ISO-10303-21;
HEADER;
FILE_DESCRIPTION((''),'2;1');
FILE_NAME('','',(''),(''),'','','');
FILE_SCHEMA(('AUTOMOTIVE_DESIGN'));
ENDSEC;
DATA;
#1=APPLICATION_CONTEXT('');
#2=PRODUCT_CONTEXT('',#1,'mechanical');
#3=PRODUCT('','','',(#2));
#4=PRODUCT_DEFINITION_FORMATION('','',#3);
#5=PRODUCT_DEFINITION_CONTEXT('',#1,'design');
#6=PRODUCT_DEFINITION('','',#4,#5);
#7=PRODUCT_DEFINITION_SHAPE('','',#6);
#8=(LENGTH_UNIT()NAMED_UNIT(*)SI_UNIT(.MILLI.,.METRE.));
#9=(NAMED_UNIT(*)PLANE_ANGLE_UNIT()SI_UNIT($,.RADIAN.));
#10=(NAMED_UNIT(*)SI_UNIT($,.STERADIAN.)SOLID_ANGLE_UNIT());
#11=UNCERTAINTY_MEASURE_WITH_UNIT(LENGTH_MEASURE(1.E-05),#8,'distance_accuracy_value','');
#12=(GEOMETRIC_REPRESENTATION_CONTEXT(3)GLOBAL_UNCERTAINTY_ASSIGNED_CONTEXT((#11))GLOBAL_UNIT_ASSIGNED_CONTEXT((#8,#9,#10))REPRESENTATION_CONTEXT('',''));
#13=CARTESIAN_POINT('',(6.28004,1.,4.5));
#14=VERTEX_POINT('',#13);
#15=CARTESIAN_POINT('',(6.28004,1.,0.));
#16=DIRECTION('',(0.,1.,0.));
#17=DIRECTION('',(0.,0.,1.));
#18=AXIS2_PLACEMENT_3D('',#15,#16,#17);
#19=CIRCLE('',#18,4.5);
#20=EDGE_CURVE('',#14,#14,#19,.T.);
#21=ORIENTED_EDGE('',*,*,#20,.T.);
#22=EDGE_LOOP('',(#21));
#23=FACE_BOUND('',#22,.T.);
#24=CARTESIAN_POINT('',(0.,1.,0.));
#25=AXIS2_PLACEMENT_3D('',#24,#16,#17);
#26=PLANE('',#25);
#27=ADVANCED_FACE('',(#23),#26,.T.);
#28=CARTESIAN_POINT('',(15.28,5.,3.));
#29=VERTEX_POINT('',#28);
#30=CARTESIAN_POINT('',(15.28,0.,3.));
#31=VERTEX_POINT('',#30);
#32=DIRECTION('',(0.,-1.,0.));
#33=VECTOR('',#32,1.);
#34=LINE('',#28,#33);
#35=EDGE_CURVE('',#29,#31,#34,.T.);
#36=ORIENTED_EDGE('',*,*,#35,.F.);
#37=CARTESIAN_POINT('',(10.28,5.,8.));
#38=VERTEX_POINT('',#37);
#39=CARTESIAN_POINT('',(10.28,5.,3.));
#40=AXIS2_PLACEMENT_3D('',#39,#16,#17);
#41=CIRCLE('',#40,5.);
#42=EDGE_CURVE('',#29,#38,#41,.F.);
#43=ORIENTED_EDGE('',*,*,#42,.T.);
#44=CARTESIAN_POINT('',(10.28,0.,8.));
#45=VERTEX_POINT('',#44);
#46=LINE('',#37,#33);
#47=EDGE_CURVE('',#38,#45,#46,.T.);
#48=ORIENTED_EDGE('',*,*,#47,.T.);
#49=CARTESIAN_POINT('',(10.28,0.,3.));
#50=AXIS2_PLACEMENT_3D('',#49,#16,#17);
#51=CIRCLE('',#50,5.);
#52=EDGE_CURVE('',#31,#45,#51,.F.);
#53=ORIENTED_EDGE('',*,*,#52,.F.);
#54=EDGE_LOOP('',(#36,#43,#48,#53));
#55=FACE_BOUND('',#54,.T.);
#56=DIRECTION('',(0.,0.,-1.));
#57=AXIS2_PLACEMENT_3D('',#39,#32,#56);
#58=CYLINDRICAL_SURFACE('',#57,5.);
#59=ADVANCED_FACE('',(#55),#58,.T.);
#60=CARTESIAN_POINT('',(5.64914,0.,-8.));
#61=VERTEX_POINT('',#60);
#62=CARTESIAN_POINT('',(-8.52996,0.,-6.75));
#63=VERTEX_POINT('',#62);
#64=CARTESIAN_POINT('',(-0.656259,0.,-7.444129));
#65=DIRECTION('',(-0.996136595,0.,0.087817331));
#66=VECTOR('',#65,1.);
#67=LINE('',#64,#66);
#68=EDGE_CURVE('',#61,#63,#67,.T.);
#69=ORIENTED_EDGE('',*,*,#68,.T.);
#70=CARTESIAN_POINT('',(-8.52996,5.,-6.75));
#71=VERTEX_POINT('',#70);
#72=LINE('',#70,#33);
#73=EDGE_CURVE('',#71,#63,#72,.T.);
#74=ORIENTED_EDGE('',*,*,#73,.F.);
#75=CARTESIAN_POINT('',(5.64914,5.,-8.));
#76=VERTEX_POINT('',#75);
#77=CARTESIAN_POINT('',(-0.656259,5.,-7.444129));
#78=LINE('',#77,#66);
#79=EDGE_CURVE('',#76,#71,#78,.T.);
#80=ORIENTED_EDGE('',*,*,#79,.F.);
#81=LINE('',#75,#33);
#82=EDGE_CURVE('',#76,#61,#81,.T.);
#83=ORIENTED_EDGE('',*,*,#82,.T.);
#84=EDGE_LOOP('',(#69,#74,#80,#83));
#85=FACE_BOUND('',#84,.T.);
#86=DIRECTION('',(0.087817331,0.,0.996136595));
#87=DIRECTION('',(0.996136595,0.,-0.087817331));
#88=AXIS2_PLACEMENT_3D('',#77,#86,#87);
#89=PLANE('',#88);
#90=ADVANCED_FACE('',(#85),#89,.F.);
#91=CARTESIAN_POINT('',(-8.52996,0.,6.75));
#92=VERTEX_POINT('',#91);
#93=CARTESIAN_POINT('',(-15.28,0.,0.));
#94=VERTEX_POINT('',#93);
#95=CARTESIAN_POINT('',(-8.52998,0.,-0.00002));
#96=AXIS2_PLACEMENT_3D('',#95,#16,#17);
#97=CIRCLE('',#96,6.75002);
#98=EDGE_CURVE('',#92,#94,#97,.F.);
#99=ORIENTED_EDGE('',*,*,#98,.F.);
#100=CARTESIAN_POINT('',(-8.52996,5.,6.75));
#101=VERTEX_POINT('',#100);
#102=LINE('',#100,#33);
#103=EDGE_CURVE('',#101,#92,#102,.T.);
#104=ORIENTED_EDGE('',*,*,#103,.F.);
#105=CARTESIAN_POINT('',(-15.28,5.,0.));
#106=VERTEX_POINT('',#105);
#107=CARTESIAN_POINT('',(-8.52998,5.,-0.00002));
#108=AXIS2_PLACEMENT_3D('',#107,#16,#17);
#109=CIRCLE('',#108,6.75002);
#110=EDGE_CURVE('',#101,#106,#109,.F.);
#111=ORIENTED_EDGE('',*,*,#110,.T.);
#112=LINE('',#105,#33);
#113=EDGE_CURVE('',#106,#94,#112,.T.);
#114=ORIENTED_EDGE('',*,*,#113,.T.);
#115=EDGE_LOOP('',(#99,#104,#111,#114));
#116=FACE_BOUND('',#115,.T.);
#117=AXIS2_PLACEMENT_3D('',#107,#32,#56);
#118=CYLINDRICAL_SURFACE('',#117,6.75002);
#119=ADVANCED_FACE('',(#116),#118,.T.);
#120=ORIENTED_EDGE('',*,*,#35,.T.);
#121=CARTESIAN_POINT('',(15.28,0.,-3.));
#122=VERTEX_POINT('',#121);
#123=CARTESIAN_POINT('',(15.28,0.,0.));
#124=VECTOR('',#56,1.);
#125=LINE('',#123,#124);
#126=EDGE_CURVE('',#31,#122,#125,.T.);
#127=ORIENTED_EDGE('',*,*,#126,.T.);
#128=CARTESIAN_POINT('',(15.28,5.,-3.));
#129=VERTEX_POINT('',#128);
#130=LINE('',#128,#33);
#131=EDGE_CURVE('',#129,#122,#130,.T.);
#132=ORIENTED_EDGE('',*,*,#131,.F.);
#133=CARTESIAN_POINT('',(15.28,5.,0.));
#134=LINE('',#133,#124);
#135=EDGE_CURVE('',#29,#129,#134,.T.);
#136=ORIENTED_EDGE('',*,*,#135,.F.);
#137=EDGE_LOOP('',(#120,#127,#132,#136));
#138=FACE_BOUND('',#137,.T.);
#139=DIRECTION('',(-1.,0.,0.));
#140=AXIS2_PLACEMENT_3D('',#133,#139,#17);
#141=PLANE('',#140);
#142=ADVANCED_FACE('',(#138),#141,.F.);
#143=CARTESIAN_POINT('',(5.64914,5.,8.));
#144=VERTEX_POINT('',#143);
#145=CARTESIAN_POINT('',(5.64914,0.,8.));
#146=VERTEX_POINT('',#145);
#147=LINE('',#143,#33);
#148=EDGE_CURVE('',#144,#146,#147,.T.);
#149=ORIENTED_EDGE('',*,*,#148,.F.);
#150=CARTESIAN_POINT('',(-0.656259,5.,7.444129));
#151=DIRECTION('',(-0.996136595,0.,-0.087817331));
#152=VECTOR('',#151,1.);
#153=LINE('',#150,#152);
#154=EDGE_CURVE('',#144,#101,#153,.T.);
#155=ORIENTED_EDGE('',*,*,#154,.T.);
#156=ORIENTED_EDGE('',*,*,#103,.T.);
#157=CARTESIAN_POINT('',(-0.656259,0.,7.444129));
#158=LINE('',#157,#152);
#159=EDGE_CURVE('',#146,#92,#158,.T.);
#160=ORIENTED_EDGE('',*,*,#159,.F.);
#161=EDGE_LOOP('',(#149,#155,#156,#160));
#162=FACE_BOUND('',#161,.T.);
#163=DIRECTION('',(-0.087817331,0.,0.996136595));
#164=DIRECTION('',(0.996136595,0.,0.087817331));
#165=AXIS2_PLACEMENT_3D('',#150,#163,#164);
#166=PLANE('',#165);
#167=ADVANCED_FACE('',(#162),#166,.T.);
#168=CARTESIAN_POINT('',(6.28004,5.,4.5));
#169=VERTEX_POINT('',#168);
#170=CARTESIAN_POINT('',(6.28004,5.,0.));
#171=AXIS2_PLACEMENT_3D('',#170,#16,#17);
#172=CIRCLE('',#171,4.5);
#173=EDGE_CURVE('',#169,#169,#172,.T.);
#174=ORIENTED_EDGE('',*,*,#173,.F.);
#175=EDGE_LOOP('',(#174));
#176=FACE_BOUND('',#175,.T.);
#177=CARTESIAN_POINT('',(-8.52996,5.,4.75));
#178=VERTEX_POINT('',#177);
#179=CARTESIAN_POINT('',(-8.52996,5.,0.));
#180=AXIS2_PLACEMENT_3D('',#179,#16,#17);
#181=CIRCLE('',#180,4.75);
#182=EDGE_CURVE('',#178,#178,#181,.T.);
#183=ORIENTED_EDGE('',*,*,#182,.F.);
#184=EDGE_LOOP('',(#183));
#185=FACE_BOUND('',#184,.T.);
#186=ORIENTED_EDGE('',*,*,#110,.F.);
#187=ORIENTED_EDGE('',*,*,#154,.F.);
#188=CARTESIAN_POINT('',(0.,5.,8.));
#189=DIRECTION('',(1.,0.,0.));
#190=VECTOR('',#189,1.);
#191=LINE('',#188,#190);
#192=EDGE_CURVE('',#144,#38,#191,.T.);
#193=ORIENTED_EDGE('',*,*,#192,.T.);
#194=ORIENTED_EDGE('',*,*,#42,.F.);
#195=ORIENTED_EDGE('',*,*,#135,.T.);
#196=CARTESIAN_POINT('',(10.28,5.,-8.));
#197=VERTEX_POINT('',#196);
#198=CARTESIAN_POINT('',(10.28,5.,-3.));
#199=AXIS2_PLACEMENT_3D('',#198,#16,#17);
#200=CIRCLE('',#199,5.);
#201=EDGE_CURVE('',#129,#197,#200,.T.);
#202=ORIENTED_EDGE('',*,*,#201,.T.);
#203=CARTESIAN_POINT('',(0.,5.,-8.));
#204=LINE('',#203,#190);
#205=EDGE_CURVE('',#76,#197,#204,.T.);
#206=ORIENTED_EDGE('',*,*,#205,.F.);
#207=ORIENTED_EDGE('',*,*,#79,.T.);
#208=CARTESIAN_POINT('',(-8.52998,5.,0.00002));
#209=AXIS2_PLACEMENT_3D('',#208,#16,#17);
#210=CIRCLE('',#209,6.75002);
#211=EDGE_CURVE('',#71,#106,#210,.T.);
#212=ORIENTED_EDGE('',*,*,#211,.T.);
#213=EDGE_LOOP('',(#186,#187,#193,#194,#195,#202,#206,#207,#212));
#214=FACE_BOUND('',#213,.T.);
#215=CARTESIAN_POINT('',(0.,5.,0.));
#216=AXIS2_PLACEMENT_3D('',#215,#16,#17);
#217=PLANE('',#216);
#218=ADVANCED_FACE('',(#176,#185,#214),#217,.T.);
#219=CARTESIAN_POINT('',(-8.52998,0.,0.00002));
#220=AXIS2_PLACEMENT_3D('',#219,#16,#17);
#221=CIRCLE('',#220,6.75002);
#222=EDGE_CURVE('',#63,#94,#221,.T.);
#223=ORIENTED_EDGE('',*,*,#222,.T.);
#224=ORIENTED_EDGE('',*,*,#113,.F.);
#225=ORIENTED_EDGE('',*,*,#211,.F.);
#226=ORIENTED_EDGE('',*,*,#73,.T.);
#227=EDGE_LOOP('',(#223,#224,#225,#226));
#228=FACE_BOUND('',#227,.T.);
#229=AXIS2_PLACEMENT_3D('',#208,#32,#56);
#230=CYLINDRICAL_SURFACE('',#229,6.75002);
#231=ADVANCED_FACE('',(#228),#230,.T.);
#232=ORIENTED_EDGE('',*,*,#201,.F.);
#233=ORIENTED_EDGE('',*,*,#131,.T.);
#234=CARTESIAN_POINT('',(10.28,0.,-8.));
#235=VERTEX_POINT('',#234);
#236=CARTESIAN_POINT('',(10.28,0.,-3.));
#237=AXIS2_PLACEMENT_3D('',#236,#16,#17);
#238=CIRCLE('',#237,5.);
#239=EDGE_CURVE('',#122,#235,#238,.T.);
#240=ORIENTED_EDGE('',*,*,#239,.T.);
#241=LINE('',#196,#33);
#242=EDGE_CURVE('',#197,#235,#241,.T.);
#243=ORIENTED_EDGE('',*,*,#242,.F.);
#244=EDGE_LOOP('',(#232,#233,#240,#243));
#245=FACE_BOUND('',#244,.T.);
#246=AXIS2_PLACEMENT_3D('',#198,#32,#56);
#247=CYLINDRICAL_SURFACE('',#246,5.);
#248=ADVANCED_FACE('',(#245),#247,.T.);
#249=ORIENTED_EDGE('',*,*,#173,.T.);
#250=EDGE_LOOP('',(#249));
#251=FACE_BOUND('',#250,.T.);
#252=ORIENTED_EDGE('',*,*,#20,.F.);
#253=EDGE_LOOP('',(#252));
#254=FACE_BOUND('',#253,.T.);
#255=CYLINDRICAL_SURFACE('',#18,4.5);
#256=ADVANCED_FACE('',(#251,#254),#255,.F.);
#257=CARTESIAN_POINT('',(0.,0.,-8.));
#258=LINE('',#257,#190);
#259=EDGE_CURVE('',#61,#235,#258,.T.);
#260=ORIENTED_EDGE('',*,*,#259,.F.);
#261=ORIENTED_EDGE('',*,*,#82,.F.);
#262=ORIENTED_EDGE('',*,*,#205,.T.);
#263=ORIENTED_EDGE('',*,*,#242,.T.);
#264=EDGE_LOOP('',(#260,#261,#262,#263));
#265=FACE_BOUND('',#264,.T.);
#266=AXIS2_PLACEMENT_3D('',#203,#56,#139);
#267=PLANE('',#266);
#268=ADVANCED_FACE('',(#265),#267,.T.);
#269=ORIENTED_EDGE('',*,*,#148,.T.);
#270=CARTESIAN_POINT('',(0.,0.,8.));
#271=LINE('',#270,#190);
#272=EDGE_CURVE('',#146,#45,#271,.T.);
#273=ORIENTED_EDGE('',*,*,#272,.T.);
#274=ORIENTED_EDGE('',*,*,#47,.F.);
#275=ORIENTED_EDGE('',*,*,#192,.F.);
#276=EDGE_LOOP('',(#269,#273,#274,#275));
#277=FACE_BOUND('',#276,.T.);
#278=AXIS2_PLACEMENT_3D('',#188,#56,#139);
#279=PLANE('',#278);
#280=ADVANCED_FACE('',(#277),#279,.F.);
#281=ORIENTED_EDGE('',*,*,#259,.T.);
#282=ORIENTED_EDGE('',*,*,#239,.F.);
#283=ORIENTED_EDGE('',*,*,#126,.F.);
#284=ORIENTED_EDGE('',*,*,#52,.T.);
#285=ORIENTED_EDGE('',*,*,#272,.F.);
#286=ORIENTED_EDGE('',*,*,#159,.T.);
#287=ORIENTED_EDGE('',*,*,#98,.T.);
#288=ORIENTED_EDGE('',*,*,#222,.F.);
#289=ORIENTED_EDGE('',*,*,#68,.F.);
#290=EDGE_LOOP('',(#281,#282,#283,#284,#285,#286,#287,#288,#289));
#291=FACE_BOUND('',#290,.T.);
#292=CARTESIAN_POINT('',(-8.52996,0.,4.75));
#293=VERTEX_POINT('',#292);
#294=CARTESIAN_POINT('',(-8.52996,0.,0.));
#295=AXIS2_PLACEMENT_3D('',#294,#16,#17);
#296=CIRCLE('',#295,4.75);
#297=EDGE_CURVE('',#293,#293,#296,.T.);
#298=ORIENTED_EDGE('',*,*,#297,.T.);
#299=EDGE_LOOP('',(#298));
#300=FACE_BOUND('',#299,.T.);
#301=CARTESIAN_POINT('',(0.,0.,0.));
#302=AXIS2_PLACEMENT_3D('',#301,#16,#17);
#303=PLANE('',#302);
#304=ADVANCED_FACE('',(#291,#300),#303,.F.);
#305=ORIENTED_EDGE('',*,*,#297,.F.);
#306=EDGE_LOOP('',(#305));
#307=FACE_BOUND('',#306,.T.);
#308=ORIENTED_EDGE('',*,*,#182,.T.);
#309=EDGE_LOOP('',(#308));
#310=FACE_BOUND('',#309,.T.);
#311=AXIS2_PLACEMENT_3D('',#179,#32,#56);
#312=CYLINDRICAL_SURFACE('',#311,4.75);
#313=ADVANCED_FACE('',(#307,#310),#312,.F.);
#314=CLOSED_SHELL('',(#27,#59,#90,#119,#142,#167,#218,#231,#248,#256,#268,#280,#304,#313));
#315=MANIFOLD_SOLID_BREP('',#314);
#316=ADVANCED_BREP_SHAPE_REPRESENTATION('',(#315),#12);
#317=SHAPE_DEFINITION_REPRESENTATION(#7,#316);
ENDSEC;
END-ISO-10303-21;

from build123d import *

# Parameters (mm, degrees)
SKETCH1_R           = 4.75
BOSS_EXTRUDE1_DEPTH = 5
SKETCH2_R           = 4.5
CUT_EXTRUDE1_DEPTH  = 4


with BuildPart() as part:
    # Sketch1 → Boss-Extrude1 (new body)
    with BuildSketch(Plane(origin=(0, 0, 0), x_dir=(1, 0, 0), z_dir=(0, 1, 0))):
        with BuildLine():
            Line((5.649139951, 8), (10.28, 8))
            ThreePointArc((10.28, 8), (13.815533906, 6.535533906), (15.28, 3))
            Line((15.28, 3), (15.28, -3))
            ThreePointArc((15.28, -3), (13.815533906, -6.535533906), (10.28, -8))
            Line((10.28, -8), (5.649139951, -8))
            Line((5.649139951, -8), (-8.529960299, -6.75))
            ThreePointArc((-8.529960299, -6.75), (-13.302950922, -4.772978995), (-15.28, 0))
            ThreePointArc((-15.28, 0), (-13.302950922, 4.772978995), (-8.529960299, 6.75))
            Line((-8.529960299, 6.75), (5.649139951, 8))
        make_face()
        with Locations(Location((-8.529960299, 0, 0), (0, 0, 270))):
            Circle(SKETCH1_R, mode=Mode.SUBTRACT)
    extrude(amount=BOSS_EXTRUDE1_DEPTH)

    # Sketch2 → Cut-Extrude1 (cut)
    with BuildSketch(Plane(origin=(0, 5, 0), x_dir=(1, 0, 0), z_dir=(0, 1, 0))):
        with Locations(Location((6.280039701, 0, 0), (0, 0, 270))):
            Circle(SKETCH2_R)
    extrude(amount=-CUT_EXTRUDE1_DEPTH, mode=Mode.SUBTRACT)


solid = part.part
